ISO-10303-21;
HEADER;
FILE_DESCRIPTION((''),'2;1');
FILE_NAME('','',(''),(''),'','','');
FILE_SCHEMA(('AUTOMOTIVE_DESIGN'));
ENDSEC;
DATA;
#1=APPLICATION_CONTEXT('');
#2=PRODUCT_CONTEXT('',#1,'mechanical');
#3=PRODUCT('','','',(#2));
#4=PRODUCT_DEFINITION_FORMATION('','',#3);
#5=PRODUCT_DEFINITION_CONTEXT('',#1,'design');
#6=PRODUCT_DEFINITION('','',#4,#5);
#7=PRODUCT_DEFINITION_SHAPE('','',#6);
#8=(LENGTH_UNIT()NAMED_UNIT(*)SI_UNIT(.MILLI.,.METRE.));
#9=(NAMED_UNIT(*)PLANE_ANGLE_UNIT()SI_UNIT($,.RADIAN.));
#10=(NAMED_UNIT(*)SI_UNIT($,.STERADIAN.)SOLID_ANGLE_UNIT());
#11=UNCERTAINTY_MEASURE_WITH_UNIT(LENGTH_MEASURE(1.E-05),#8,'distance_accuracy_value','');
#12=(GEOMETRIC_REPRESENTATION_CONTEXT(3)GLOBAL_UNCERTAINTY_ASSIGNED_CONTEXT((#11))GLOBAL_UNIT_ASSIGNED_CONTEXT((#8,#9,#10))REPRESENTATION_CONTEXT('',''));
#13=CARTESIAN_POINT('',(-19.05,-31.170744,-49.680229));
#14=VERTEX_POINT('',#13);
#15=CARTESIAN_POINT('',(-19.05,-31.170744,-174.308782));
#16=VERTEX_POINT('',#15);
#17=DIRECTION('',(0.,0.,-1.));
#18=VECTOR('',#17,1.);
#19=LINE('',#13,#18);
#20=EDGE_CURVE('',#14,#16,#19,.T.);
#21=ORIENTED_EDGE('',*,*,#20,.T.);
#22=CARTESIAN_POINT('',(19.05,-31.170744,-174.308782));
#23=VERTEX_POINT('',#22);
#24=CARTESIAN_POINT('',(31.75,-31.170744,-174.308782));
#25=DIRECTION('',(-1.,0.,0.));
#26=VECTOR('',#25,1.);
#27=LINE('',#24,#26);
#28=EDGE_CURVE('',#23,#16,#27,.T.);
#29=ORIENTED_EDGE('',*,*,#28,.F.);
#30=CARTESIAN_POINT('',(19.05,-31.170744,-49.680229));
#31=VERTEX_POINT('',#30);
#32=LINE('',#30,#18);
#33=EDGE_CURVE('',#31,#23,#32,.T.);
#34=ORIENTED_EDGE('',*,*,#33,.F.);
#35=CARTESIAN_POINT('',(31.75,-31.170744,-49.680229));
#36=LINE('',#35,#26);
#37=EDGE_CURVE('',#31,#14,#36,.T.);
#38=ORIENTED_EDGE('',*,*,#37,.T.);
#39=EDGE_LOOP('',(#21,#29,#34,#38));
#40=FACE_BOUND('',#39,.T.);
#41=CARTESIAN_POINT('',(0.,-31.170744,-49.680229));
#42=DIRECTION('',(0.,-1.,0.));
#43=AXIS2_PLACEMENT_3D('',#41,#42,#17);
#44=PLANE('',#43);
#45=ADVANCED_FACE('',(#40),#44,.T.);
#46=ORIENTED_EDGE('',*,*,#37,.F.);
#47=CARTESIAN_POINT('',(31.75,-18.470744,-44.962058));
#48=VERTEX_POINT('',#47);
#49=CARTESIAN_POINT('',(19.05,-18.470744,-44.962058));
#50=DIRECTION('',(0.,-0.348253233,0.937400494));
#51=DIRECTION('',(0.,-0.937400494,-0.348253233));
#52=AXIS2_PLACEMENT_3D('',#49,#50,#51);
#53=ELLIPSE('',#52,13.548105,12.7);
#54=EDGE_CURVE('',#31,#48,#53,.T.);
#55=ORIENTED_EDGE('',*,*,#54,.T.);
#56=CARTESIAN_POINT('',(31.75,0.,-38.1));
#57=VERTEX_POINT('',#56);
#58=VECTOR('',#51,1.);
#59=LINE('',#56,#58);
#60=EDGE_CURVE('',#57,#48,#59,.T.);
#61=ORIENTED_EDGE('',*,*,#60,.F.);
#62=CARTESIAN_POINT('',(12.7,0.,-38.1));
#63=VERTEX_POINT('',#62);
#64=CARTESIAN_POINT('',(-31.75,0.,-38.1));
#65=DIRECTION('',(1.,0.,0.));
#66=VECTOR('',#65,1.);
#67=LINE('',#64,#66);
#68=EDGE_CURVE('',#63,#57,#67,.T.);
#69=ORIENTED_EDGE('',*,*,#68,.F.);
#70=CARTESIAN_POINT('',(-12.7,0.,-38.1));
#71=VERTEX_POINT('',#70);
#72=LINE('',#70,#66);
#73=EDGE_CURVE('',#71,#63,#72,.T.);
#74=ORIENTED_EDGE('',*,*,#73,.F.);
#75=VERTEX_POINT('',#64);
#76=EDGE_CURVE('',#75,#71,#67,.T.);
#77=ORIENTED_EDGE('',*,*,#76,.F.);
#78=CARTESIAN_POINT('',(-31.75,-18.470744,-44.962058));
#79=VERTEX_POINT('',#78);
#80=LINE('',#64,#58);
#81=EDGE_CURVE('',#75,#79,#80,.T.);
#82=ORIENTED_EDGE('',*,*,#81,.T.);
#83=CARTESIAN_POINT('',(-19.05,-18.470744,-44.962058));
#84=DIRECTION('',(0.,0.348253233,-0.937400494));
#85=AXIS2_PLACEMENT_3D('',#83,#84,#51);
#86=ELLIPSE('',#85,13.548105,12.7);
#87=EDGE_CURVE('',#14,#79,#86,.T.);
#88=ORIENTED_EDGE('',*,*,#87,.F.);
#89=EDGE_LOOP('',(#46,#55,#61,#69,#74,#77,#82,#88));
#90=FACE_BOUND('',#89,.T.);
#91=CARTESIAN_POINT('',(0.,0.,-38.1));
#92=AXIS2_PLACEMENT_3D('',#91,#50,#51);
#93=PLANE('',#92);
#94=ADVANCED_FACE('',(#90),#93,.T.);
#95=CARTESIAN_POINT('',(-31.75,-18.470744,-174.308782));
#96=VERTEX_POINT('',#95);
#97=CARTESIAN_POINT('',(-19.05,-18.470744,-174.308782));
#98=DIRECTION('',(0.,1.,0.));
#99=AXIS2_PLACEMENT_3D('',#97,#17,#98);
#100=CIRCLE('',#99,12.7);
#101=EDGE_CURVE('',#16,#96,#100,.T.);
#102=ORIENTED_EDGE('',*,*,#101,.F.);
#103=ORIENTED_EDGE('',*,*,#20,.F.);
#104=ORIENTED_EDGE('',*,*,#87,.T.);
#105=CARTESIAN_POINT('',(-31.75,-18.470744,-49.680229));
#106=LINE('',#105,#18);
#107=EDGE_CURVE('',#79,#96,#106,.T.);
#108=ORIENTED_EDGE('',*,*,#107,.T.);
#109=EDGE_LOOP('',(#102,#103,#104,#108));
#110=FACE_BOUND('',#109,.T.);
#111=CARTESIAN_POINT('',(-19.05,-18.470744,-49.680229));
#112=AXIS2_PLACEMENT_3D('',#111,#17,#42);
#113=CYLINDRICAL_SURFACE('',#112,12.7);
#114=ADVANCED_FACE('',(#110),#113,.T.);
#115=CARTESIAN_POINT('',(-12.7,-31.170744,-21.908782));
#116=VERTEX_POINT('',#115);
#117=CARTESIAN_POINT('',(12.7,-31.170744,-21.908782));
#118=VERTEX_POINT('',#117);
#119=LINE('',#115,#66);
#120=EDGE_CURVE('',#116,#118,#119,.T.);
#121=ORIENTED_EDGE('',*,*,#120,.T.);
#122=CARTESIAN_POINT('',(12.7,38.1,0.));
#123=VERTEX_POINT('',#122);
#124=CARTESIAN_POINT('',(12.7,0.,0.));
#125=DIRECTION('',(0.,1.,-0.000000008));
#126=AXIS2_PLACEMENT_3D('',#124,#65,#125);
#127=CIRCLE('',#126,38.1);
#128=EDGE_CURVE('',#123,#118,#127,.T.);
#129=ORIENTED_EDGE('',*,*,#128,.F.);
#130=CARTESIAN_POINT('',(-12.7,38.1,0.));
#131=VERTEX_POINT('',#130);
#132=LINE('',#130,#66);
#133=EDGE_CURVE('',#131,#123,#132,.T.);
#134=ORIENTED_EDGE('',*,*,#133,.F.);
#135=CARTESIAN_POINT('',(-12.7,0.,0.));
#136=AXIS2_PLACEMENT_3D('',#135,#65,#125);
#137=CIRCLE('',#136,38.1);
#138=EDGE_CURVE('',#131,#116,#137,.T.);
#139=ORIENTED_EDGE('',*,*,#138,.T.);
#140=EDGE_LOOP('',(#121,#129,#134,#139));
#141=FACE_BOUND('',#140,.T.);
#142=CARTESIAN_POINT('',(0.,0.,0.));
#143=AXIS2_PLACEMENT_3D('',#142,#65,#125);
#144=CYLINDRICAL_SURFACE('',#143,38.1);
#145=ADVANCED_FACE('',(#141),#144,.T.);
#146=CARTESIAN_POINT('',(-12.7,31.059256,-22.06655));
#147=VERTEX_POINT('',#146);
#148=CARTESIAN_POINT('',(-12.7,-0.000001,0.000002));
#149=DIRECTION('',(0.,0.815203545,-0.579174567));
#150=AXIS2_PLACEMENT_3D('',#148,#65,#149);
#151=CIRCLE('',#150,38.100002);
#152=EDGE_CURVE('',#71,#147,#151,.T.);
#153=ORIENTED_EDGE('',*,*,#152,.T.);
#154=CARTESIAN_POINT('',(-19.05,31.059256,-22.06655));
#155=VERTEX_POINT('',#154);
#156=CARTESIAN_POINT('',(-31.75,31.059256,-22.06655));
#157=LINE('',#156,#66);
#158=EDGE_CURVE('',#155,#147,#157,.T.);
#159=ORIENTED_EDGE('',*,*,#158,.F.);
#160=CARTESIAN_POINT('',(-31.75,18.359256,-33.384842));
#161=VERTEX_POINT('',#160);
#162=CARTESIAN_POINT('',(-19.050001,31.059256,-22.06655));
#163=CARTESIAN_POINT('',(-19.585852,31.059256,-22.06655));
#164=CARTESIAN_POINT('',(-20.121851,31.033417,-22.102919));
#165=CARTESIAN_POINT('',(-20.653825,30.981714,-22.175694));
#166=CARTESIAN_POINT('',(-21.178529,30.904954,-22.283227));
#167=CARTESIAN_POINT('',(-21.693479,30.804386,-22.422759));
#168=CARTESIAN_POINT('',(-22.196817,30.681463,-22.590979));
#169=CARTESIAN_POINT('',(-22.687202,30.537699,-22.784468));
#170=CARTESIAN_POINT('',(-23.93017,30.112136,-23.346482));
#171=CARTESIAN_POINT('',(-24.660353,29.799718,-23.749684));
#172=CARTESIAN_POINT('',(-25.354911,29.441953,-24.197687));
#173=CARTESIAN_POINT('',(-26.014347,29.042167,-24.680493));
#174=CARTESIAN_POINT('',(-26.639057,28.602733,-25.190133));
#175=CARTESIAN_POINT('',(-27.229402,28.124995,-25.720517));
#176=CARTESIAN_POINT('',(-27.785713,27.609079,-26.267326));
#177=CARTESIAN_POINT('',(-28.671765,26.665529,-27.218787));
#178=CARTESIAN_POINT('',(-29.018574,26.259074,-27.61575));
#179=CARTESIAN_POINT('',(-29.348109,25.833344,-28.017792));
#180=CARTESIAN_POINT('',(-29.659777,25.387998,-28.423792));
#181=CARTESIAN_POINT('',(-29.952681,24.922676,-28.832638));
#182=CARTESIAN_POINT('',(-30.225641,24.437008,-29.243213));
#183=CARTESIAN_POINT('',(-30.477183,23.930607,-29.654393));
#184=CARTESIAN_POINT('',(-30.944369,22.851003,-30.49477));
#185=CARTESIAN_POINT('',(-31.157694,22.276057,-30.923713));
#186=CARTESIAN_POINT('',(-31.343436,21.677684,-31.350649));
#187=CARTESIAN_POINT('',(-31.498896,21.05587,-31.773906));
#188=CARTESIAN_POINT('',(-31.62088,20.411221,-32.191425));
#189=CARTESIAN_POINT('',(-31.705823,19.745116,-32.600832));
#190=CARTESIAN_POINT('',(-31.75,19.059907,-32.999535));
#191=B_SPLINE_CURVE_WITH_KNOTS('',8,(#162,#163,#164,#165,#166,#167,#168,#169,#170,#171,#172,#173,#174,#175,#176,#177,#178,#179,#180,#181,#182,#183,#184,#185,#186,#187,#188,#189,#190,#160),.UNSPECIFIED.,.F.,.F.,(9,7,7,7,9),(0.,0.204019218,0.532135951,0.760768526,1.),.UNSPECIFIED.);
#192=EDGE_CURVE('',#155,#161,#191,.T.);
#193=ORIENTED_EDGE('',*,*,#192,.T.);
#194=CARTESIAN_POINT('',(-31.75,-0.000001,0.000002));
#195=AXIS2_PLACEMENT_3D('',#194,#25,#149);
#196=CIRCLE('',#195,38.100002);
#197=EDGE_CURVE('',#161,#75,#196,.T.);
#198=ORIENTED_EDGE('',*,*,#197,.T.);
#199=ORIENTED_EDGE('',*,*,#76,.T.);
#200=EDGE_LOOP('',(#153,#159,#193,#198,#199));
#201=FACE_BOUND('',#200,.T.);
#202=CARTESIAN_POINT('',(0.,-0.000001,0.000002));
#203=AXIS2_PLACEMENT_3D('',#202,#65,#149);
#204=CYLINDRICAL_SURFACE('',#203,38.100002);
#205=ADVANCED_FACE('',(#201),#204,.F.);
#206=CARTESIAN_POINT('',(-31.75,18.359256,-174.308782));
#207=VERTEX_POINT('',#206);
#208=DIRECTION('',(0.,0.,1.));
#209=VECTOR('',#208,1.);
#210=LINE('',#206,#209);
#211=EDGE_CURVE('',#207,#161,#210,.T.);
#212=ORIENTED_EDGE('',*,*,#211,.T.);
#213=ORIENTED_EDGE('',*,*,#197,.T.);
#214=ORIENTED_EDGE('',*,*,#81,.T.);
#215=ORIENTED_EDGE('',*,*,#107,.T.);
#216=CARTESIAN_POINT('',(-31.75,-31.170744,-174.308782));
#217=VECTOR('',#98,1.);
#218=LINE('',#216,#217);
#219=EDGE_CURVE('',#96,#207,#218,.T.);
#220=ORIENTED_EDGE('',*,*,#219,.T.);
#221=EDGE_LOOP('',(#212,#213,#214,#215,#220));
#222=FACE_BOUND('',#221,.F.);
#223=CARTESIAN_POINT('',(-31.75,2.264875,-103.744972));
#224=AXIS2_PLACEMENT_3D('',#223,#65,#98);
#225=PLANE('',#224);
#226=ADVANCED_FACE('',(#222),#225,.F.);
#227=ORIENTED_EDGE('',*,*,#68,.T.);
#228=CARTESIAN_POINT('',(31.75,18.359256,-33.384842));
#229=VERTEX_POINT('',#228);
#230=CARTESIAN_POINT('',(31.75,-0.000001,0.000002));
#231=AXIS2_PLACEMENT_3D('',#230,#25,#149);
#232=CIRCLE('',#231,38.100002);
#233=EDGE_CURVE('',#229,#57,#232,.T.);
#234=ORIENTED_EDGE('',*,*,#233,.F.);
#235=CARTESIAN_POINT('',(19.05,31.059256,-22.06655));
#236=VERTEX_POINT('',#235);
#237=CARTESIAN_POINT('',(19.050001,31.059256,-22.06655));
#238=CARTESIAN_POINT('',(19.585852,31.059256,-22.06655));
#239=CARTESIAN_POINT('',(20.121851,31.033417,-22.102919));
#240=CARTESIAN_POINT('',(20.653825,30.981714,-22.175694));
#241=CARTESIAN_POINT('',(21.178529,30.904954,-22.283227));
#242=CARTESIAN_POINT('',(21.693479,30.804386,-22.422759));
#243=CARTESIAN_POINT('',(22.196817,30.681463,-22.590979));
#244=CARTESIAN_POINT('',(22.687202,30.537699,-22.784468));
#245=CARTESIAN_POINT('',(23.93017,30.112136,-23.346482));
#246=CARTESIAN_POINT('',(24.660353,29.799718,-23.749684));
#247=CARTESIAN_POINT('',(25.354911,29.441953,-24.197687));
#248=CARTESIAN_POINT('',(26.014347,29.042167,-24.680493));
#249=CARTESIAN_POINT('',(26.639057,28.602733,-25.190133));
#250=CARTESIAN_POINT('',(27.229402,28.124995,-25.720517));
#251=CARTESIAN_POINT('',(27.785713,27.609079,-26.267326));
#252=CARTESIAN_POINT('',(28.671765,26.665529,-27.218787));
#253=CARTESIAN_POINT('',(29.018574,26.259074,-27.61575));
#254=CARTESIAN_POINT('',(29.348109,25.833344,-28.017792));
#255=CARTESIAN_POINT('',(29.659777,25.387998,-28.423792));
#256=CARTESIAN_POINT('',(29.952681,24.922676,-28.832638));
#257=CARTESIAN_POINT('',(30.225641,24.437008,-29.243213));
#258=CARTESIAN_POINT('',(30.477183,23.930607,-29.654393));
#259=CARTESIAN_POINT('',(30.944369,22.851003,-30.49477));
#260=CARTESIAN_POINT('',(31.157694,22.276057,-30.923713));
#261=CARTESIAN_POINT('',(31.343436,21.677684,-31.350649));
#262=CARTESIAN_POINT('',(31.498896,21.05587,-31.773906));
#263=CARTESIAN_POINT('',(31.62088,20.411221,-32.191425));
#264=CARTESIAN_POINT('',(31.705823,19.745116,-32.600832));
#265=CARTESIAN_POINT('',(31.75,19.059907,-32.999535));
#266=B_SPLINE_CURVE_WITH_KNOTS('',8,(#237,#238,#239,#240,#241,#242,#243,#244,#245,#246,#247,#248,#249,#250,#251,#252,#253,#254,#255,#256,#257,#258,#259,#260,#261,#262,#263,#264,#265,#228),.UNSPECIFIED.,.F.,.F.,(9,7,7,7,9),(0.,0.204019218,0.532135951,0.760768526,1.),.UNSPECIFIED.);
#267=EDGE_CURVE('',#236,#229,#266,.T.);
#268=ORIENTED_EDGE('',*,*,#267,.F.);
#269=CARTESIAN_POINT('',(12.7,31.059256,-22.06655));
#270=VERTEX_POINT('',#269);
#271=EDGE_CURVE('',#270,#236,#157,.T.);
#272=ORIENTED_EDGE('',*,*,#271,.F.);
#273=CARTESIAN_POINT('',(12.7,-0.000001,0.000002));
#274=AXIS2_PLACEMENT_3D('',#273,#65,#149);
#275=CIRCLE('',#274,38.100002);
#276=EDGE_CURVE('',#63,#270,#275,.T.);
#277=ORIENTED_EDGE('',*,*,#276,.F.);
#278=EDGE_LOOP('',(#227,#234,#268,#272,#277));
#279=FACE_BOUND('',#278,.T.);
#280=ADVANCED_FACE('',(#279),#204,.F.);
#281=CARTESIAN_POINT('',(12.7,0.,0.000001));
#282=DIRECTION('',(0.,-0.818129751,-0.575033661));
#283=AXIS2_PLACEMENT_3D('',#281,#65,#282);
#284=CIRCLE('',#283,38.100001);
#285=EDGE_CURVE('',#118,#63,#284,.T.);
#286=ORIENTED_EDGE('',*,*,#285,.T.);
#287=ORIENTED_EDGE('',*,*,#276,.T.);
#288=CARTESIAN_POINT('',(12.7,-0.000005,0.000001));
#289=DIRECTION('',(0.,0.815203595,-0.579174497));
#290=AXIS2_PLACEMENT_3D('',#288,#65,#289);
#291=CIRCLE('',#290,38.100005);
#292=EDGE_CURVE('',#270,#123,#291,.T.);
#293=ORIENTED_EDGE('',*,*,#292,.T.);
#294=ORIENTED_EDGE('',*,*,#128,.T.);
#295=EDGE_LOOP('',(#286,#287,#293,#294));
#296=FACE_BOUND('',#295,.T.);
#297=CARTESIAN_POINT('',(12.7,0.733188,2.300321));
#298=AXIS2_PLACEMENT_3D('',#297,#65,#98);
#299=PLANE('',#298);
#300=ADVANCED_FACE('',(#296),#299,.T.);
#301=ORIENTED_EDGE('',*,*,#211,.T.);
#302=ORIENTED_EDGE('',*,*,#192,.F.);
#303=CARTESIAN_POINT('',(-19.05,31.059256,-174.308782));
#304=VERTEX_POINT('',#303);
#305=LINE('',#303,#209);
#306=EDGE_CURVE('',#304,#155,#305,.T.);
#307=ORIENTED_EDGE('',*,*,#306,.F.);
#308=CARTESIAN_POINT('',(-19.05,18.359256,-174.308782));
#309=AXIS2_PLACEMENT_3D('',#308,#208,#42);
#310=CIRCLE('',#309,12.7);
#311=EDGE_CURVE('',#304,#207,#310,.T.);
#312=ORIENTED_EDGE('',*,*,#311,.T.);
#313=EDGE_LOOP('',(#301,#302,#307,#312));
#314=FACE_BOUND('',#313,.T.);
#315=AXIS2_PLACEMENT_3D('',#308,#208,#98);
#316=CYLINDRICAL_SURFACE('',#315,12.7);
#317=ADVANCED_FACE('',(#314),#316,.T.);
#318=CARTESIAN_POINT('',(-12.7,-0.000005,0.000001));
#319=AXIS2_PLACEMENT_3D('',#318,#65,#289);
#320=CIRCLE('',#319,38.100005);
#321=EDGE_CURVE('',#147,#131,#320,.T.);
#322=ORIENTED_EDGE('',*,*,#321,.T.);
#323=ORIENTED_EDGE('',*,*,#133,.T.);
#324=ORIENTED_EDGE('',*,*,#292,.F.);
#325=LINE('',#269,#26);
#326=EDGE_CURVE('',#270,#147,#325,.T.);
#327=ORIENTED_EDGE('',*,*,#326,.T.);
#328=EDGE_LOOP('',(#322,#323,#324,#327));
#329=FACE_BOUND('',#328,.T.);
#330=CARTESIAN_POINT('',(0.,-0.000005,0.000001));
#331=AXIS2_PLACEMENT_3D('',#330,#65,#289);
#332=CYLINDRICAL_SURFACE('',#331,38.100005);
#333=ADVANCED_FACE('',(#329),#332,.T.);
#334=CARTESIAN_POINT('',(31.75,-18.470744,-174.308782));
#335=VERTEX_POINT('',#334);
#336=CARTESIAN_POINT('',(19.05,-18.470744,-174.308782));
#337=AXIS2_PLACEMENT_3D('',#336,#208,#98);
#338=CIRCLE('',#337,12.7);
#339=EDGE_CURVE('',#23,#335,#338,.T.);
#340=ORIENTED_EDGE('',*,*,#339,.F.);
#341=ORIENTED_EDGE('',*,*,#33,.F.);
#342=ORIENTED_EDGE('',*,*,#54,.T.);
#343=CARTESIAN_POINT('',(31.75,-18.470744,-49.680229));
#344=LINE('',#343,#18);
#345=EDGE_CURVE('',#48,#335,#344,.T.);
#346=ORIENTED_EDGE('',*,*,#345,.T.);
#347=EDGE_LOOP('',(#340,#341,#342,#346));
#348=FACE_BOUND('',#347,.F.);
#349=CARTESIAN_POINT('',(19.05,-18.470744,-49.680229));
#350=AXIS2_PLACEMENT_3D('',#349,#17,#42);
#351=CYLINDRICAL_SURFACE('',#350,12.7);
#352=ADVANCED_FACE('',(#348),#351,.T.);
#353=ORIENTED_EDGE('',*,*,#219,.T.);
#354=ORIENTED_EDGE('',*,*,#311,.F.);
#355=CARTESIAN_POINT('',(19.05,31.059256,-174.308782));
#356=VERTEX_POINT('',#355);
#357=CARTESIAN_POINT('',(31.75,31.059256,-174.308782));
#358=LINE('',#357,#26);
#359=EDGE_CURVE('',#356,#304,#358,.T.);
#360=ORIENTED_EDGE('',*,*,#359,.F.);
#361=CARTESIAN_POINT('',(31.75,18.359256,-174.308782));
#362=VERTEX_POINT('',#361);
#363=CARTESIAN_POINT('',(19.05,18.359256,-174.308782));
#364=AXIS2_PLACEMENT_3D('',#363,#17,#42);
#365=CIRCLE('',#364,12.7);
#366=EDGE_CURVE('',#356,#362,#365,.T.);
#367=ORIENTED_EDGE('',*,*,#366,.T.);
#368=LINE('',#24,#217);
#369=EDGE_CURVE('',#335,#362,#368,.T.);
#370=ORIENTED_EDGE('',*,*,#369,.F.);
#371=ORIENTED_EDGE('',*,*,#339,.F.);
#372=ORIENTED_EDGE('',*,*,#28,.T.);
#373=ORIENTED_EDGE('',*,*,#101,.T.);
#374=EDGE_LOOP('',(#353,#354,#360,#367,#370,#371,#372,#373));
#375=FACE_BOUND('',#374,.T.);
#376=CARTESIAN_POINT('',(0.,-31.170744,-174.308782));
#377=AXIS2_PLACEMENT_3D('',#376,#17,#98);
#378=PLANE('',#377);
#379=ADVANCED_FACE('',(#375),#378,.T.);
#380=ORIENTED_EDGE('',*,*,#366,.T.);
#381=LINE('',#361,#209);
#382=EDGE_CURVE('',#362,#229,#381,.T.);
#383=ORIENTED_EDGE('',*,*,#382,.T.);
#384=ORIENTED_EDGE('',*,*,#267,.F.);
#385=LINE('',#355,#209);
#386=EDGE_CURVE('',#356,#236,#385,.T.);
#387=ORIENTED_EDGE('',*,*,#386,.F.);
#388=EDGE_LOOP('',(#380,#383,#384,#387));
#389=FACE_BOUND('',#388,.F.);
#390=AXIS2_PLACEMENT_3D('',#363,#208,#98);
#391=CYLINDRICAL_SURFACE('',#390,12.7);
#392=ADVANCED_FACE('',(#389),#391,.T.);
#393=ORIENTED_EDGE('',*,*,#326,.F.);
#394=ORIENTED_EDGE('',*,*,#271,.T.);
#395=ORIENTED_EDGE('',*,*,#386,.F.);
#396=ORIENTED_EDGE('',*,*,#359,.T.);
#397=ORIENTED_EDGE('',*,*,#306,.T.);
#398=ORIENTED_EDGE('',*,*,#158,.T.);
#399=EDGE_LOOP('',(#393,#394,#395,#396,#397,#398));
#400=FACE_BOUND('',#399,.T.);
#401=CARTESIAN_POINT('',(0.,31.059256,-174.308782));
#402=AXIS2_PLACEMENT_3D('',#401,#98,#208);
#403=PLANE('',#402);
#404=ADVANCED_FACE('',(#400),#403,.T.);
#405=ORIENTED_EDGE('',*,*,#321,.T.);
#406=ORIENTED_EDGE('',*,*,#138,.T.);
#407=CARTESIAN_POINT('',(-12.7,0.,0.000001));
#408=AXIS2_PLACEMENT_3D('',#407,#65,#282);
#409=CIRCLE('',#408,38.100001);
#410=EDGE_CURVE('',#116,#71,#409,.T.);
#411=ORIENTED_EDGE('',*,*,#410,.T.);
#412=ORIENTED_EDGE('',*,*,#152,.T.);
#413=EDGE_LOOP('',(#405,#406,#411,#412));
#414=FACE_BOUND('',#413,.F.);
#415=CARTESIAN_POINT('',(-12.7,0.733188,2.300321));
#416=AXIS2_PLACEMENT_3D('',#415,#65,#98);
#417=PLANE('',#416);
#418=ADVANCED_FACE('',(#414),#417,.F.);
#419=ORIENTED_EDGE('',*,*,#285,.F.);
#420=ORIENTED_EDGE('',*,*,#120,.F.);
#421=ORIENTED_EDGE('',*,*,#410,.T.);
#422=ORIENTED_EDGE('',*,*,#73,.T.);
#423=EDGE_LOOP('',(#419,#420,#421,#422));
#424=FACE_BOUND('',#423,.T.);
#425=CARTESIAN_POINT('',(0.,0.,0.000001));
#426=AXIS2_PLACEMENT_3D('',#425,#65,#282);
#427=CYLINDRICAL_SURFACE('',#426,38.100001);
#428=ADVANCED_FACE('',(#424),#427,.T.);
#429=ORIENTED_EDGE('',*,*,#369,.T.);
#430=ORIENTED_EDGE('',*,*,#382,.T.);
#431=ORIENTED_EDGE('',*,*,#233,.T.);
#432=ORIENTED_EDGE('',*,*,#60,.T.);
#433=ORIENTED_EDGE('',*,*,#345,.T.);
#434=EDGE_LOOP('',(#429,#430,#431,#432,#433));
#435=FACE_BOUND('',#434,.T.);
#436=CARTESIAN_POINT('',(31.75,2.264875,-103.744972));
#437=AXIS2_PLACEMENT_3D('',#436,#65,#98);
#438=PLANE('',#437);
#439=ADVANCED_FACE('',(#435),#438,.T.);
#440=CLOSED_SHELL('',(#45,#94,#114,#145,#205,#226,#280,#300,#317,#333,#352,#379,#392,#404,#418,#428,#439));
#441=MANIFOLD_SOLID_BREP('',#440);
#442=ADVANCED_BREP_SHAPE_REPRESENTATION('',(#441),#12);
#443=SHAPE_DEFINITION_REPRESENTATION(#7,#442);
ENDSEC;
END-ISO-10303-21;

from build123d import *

# Parameters (mm, degrees)
F1_DEPTH = 12.7
F2_DEPTH = 31.75
F3_R     = 12.7


with BuildPart() as f1:
    # F0 (on Right) → F1 (new body, symmetric)
    with BuildSketch(Plane.YZ):
        with BuildLine():
            ThreePointArc((31.059256, -22.06655), (36.29716, -11.581285), (38.1, 0))
            ThreePointArc((38.1, 0), (-11.489227, 36.326405), (-31.170744, -21.908782))
            Line((-31.170744, -21.908782), (31.059256, -21.908782))
            Line((31.059256, -21.908782), (31.059256, -22.06655))
        make_face()
        with BuildLine():
            Line((31.059256, -174.308782), (31.059256, -22.06655))
            ThreePointArc((31.059256, -22.06655), (17.476763, -33.855173), (0, -38.1))
            Line((0, -38.1), (-31.170744, -49.680229))
            Line((-31.170744, -49.680229), (-31.170744, -174.308782))
            Line((-31.170744, -174.308782), (31.059256, -174.308782))
        make_face()
        with BuildLine():
            Line((31.059256, -21.908782), (-31.170744, -21.908782))
            ThreePointArc((-31.170744, -21.908782), (-17.562537, -33.810757), (0, -38.1))
            ThreePointArc((0, -38.1), (17.476763, -33.855173), (31.059256, -22.06655))
            Line((31.059256, -22.06655), (31.059256, -21.908782))
        make_face()
    extrude(amount=F1_DEPTH, both=True)

    # F0 (on Right) → F2 (join, symmetric)
    with BuildSketch(Plane.YZ):
        with BuildLine():
            Line((31.059256, -174.308782), (31.059256, -22.06655))
            ThreePointArc((31.059256, -22.06655), (17.476763, -33.855173), (0, -38.1))
            Line((0, -38.1), (-31.170744, -49.680229))
            Line((-31.170744, -49.680229), (-31.170744, -174.308782))
            Line((-31.170744, -174.308782), (31.059256, -174.308782))
        make_face()
    extrude(amount=F2_DEPTH, both=True)

    # F3
    f3_edges = [f1.edges().sort_by_distance(p)[0] for p in [
        (31.75, -31.170744, -111.994506),
        (31.75, 31.059256, -98.187666),
        (-31.75, -31.170744, -111.994506),
        (-31.75, 31.059256, -98.187666),
    ]]
    fillet(f3_edges, radius=F3_R)


solid = f1.part
